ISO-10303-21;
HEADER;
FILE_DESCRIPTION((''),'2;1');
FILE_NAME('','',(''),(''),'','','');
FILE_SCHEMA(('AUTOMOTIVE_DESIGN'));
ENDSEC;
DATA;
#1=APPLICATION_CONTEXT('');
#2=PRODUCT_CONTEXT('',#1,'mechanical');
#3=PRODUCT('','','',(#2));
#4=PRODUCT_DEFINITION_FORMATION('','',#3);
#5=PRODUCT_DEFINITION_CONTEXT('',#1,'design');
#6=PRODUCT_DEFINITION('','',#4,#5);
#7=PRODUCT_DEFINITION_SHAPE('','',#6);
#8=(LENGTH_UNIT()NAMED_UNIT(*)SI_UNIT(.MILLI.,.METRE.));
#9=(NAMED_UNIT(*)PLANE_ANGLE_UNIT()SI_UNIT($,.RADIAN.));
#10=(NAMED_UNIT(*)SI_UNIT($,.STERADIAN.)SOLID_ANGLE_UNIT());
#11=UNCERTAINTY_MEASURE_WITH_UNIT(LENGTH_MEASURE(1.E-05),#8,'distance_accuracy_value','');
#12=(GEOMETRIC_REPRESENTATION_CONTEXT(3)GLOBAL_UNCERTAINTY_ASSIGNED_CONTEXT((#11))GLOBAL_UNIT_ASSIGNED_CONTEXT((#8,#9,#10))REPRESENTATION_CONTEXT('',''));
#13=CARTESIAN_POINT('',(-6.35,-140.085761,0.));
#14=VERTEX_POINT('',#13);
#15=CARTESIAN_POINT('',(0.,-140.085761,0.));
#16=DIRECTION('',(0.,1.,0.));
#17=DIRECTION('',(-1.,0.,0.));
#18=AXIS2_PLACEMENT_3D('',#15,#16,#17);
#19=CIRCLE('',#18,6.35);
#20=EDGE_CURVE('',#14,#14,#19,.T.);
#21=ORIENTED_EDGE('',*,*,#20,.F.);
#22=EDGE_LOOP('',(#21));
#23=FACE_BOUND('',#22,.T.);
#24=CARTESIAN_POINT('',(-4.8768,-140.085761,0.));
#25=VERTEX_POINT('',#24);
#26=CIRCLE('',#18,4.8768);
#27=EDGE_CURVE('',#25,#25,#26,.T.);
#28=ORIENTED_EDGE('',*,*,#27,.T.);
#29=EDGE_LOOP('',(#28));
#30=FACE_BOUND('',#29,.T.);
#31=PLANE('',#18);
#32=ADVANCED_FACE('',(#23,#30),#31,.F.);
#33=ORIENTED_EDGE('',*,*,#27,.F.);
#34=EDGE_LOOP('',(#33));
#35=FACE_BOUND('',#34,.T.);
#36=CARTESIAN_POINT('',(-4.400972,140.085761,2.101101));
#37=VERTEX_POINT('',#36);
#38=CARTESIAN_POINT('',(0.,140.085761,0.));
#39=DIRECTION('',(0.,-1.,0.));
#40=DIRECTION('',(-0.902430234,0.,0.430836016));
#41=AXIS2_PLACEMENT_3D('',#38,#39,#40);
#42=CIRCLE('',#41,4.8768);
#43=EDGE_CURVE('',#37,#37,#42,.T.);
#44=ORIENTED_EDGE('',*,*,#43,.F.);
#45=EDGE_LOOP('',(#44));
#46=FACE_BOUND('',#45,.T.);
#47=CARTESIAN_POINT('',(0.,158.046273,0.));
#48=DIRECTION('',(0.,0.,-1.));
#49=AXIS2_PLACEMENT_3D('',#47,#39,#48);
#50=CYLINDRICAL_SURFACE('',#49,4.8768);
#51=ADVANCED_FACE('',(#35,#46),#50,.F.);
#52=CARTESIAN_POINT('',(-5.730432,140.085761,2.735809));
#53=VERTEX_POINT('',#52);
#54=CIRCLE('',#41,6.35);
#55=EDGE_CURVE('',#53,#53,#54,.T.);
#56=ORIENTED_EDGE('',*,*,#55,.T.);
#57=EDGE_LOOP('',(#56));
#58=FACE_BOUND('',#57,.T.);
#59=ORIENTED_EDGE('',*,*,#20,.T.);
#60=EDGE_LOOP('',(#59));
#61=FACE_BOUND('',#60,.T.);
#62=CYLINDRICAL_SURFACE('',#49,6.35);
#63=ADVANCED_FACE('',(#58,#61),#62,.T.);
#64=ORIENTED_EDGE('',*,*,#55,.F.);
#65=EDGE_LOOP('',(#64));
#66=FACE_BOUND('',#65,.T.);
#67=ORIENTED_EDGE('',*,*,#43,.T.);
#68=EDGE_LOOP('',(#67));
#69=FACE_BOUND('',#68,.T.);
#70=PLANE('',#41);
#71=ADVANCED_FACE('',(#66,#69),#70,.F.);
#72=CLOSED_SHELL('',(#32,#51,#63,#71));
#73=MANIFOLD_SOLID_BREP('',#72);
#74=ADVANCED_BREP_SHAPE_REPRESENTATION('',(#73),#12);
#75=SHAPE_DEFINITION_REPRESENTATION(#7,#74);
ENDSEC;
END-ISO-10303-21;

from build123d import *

# Parameters (mm, degrees)
BOSS_EXTRUDE1_START = -140.085761
SKETCH1_R           = 6.35
SKETCH1_R_2         = 4.8768
BOSS_EXTRUDE1_DEPTH = 280.171522


with BuildPart() as part:
    # Sketch1 → Boss-Extrude1 (new body)
    with BuildSketch(Plane(origin=(0, 0, 0), x_dir=(1, 0, 0), z_dir=(0, 1, 0)).offset(BOSS_EXTRUDE1_START)):
        with Locations(Location((0, 0, 0), (0, 0, 180))):
            Circle(SKETCH1_R)
        with Locations(Location((0, 0, 0), (0, 0, 180))):
            Circle(SKETCH1_R_2, mode=Mode.SUBTRACT)
    extrude(amount=BOSS_EXTRUDE1_DEPTH)


solid = part.part
